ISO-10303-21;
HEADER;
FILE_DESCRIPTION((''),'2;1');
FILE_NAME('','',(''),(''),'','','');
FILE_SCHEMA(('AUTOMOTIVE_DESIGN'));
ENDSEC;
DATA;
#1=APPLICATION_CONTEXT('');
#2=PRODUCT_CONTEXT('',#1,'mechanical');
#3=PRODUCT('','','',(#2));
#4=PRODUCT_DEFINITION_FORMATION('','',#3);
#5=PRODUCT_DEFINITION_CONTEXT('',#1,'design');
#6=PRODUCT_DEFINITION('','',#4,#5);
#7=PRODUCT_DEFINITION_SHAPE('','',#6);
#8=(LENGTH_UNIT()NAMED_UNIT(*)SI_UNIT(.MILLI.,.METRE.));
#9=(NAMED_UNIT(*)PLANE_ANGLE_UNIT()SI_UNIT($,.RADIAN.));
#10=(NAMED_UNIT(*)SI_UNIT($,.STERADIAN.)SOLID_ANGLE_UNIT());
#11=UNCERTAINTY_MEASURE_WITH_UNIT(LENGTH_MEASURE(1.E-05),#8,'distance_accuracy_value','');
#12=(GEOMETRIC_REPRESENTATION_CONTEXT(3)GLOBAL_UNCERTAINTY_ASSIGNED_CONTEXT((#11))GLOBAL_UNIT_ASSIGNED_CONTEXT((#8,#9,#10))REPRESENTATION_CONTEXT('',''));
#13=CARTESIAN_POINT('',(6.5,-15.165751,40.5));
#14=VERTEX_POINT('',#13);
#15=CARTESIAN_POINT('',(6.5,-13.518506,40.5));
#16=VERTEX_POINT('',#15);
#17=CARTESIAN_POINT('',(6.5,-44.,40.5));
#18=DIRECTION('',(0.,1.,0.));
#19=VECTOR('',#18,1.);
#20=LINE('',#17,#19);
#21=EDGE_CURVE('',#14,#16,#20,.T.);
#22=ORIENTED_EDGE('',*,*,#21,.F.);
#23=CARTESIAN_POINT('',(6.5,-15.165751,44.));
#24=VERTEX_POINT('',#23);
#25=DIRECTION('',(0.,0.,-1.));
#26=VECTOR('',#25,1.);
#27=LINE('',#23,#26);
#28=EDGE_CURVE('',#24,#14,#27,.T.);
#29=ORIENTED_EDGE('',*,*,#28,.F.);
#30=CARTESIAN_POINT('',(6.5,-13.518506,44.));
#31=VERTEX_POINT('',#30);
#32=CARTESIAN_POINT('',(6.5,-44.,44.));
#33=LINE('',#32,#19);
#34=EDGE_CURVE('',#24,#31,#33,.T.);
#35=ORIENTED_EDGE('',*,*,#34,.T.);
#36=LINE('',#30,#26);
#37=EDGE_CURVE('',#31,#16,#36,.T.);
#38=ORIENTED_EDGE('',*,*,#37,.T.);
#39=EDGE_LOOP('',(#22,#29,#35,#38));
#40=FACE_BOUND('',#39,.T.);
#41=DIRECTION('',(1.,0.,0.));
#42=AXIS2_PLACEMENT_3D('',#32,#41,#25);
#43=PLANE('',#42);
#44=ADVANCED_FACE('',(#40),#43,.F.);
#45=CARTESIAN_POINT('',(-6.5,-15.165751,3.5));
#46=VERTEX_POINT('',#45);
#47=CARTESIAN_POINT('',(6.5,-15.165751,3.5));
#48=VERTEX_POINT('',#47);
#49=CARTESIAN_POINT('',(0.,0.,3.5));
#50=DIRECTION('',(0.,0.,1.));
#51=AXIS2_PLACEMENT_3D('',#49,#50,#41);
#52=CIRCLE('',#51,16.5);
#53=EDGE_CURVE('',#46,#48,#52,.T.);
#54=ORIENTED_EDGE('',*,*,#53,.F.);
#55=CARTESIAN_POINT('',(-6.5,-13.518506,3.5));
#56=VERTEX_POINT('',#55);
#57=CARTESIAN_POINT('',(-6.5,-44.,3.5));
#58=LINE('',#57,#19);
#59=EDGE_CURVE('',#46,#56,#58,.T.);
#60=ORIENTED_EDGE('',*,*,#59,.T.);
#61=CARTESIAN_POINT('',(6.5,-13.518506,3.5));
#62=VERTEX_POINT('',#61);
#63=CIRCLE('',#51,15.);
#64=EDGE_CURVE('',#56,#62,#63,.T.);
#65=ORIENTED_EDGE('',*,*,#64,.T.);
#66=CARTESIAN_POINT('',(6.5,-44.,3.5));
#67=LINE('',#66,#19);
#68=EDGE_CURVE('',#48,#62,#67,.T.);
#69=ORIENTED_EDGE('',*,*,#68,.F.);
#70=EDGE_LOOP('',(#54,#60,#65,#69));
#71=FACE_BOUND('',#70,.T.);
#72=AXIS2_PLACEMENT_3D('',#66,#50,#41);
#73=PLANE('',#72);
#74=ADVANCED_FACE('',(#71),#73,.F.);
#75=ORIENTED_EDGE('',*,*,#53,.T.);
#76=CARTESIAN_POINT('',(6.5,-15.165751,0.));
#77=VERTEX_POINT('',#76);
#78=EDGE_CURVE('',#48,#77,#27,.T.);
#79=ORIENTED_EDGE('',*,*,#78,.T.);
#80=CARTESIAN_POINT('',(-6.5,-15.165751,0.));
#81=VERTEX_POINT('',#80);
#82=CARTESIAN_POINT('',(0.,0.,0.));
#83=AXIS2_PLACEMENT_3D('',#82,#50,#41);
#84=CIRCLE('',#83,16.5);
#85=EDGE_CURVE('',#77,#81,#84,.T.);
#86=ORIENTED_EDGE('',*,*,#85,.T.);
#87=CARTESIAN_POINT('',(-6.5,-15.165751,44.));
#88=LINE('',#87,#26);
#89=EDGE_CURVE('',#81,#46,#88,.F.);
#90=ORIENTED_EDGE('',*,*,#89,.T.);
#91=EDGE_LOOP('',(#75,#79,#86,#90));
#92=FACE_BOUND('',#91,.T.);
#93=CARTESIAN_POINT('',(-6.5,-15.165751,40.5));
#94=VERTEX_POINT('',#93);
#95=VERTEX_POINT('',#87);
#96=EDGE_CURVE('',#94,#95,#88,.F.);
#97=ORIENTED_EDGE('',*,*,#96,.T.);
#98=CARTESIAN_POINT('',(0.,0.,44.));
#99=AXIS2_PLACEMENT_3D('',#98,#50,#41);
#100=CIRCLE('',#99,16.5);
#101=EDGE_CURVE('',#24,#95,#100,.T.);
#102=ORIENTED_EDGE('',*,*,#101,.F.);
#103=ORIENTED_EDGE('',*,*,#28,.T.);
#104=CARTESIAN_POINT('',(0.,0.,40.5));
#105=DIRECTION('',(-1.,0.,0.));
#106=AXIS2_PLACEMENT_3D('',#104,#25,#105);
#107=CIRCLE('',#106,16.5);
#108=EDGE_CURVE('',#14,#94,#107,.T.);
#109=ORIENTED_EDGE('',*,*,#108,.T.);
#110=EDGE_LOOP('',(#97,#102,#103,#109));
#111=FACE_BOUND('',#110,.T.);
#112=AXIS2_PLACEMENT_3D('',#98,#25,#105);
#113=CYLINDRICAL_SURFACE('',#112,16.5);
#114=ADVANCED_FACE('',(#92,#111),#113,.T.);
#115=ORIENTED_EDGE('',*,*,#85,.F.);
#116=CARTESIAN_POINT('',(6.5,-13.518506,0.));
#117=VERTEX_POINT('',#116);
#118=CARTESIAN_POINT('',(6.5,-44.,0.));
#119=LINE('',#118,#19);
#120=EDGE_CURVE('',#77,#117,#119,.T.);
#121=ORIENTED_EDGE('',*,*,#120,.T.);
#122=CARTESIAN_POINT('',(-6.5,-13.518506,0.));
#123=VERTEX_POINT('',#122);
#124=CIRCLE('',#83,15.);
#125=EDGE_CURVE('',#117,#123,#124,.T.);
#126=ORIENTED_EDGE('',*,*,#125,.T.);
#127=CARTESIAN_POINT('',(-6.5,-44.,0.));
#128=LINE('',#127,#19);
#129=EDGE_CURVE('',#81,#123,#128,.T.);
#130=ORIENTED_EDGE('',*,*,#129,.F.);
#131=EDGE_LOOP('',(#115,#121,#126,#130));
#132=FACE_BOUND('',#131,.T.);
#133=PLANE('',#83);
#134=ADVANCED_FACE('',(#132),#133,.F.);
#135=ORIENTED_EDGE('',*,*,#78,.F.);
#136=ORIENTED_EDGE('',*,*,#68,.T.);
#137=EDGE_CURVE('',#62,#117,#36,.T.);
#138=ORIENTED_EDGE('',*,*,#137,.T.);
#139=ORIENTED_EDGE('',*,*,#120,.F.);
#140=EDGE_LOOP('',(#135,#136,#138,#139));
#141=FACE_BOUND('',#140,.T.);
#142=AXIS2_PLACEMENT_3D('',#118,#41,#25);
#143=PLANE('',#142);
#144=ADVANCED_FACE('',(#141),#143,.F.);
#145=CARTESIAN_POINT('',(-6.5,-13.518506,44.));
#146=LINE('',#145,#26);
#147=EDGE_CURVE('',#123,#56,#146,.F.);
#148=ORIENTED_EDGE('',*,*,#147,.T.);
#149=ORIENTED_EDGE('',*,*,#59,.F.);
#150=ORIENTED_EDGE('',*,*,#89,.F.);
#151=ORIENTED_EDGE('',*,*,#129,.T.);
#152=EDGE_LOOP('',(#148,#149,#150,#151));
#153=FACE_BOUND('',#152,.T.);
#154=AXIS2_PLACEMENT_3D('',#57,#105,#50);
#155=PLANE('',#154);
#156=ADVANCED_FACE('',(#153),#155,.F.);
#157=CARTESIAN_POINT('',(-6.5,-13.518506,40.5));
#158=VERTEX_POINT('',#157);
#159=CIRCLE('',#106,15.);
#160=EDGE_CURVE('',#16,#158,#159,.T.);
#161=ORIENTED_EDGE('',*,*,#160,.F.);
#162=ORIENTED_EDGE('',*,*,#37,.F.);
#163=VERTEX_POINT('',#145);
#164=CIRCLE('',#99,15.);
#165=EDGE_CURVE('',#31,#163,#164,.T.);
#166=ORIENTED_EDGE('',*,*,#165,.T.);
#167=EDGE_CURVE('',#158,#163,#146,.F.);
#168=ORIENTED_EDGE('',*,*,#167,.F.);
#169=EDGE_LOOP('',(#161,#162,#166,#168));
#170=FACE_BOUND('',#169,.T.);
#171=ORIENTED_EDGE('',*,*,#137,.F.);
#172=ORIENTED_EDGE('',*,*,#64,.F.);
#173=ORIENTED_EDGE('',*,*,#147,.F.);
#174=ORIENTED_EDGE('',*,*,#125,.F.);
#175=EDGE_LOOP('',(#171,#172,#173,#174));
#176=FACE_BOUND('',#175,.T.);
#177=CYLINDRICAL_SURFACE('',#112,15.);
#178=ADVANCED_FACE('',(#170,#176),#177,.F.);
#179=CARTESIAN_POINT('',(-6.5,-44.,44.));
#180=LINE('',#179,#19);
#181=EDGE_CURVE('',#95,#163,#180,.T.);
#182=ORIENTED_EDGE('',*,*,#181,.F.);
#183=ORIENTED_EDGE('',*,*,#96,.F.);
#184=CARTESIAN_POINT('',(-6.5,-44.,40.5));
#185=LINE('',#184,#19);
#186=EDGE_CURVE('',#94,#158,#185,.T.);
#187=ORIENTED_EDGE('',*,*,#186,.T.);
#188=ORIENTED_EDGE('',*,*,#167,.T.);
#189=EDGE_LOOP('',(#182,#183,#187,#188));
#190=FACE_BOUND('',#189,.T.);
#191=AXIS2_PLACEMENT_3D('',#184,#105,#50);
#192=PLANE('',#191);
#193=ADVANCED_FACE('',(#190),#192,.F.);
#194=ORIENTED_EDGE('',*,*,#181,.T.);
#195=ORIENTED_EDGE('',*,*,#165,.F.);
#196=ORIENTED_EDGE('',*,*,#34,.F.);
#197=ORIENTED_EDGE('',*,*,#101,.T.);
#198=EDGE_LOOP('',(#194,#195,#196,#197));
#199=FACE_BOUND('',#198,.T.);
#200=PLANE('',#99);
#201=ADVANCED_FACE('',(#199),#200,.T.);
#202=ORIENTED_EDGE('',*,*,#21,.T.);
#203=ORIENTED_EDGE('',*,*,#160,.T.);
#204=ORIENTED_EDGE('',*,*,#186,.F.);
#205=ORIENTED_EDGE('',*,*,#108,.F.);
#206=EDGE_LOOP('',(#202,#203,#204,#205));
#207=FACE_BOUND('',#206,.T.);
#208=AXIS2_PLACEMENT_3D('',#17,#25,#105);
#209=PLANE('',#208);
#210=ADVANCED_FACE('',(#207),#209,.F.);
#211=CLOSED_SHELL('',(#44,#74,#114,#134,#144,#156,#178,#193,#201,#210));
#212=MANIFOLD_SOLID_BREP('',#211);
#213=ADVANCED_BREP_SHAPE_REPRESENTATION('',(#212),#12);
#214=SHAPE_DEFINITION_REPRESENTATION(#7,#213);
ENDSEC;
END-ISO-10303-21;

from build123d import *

# Parameters (mm, degrees)
SKETCH1_R           = 16.5
SKETCH1_R_2         = 15
BOSS_EXTRUDE1_DEPTH = 44
SKETCH2_W           = 13
SKETCH2_H           = 3.5
CUT_EXTRUDE1_DEPTH  = 44


with BuildPart() as part:
    # Sketch1 → Boss-Extrude1 (new body)
    with BuildSketch(Plane.XY):
        Circle(SKETCH1_R)
        Circle(SKETCH1_R_2, mode=Mode.SUBTRACT)
    extrude(amount=BOSS_EXTRUDE1_DEPTH)

    # Sketch2 → Cut-Extrude1 (cut)
    with BuildSketch(Plane(origin=(0, 0, 0), x_dir=(1, 0, 0), z_dir=(0, 1, 0))):
        with Locations((0, -1.75)):
            Rectangle(SKETCH2_W, SKETCH2_H)
        with Locations((0, -42.25)):
            Rectangle(SKETCH2_W, SKETCH2_H)
    extrude(amount=-CUT_EXTRUDE1_DEPTH, mode=Mode.SUBTRACT)


solid = part.part
